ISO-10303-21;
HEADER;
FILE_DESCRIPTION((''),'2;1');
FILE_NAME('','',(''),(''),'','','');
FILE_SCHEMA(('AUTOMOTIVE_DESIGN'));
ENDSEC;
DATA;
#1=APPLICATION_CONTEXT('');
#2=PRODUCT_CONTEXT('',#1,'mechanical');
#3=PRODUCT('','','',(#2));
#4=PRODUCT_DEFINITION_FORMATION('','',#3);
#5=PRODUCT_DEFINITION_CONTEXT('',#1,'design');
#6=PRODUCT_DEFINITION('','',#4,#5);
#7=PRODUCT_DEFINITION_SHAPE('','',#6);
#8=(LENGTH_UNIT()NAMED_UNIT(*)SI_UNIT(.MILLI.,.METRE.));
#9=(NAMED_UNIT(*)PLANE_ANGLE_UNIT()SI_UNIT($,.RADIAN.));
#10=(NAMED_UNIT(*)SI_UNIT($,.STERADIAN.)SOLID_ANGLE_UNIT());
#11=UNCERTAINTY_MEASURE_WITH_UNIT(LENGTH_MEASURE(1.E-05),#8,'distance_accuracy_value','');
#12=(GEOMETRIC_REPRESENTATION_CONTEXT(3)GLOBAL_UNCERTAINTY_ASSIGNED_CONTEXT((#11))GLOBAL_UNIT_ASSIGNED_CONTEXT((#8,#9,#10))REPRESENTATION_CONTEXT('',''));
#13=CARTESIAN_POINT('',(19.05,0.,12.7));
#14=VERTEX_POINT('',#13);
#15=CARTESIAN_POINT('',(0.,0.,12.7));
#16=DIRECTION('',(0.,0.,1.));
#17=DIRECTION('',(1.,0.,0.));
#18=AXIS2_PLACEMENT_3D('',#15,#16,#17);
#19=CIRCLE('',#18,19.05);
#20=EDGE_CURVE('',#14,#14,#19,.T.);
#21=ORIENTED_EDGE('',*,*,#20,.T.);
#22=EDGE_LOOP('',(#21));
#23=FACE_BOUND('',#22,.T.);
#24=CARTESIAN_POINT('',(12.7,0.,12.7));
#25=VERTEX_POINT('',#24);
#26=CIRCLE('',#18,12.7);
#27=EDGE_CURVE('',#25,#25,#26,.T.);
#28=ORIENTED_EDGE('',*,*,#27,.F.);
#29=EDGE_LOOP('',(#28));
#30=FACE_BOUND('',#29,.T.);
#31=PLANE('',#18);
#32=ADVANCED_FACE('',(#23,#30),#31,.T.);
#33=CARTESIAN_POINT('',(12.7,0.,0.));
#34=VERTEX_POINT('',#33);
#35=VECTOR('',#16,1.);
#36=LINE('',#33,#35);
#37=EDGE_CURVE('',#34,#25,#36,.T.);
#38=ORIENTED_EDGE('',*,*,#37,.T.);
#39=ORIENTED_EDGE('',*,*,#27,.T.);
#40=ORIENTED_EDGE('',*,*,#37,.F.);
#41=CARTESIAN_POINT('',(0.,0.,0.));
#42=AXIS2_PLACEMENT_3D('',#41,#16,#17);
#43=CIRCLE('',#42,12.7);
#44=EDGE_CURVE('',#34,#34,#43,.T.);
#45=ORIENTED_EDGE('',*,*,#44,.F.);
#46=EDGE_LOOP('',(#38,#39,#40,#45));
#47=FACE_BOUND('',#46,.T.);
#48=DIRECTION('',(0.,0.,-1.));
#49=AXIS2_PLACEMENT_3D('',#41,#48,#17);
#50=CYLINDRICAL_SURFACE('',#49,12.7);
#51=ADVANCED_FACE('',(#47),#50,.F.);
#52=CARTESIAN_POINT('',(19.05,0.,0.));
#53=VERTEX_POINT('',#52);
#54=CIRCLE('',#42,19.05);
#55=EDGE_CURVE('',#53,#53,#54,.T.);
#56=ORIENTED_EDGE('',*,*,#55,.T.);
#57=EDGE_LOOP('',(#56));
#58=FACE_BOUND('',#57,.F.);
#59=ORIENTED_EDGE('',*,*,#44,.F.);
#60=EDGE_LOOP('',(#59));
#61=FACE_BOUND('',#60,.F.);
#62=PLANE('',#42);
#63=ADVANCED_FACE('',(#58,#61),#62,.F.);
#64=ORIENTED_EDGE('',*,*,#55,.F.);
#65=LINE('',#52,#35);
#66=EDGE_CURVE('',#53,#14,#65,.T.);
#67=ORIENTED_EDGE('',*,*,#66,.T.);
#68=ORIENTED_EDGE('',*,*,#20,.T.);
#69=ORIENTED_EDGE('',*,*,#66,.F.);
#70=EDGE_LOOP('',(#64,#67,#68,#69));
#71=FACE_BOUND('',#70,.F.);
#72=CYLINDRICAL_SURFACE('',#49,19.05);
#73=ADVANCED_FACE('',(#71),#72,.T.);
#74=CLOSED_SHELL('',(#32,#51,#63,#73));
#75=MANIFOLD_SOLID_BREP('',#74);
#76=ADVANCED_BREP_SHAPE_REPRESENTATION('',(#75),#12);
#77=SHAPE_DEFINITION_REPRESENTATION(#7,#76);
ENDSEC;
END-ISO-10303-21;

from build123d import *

# Parameters (mm, degrees)
CYLINDER_R     = 12.7
CYLINDER_DEPTH = 12.7
THICKNESS_T    = 6.35


with BuildPart() as part:
    # Cylinder → Cylinder (new body)
    with BuildSketch(Plane.XY):
        Circle(CYLINDER_R)
    extrude(amount=CYLINDER_DEPTH)

    # Thickness
    thickness_openings = [part.faces().sort_by_distance(p)[0] for p in [
        (0, 0, 12.7),
        (0, 0, 0),
    ]]
    offset(amount=THICKNESS_T, openings=thickness_openings)


solid = part.part
